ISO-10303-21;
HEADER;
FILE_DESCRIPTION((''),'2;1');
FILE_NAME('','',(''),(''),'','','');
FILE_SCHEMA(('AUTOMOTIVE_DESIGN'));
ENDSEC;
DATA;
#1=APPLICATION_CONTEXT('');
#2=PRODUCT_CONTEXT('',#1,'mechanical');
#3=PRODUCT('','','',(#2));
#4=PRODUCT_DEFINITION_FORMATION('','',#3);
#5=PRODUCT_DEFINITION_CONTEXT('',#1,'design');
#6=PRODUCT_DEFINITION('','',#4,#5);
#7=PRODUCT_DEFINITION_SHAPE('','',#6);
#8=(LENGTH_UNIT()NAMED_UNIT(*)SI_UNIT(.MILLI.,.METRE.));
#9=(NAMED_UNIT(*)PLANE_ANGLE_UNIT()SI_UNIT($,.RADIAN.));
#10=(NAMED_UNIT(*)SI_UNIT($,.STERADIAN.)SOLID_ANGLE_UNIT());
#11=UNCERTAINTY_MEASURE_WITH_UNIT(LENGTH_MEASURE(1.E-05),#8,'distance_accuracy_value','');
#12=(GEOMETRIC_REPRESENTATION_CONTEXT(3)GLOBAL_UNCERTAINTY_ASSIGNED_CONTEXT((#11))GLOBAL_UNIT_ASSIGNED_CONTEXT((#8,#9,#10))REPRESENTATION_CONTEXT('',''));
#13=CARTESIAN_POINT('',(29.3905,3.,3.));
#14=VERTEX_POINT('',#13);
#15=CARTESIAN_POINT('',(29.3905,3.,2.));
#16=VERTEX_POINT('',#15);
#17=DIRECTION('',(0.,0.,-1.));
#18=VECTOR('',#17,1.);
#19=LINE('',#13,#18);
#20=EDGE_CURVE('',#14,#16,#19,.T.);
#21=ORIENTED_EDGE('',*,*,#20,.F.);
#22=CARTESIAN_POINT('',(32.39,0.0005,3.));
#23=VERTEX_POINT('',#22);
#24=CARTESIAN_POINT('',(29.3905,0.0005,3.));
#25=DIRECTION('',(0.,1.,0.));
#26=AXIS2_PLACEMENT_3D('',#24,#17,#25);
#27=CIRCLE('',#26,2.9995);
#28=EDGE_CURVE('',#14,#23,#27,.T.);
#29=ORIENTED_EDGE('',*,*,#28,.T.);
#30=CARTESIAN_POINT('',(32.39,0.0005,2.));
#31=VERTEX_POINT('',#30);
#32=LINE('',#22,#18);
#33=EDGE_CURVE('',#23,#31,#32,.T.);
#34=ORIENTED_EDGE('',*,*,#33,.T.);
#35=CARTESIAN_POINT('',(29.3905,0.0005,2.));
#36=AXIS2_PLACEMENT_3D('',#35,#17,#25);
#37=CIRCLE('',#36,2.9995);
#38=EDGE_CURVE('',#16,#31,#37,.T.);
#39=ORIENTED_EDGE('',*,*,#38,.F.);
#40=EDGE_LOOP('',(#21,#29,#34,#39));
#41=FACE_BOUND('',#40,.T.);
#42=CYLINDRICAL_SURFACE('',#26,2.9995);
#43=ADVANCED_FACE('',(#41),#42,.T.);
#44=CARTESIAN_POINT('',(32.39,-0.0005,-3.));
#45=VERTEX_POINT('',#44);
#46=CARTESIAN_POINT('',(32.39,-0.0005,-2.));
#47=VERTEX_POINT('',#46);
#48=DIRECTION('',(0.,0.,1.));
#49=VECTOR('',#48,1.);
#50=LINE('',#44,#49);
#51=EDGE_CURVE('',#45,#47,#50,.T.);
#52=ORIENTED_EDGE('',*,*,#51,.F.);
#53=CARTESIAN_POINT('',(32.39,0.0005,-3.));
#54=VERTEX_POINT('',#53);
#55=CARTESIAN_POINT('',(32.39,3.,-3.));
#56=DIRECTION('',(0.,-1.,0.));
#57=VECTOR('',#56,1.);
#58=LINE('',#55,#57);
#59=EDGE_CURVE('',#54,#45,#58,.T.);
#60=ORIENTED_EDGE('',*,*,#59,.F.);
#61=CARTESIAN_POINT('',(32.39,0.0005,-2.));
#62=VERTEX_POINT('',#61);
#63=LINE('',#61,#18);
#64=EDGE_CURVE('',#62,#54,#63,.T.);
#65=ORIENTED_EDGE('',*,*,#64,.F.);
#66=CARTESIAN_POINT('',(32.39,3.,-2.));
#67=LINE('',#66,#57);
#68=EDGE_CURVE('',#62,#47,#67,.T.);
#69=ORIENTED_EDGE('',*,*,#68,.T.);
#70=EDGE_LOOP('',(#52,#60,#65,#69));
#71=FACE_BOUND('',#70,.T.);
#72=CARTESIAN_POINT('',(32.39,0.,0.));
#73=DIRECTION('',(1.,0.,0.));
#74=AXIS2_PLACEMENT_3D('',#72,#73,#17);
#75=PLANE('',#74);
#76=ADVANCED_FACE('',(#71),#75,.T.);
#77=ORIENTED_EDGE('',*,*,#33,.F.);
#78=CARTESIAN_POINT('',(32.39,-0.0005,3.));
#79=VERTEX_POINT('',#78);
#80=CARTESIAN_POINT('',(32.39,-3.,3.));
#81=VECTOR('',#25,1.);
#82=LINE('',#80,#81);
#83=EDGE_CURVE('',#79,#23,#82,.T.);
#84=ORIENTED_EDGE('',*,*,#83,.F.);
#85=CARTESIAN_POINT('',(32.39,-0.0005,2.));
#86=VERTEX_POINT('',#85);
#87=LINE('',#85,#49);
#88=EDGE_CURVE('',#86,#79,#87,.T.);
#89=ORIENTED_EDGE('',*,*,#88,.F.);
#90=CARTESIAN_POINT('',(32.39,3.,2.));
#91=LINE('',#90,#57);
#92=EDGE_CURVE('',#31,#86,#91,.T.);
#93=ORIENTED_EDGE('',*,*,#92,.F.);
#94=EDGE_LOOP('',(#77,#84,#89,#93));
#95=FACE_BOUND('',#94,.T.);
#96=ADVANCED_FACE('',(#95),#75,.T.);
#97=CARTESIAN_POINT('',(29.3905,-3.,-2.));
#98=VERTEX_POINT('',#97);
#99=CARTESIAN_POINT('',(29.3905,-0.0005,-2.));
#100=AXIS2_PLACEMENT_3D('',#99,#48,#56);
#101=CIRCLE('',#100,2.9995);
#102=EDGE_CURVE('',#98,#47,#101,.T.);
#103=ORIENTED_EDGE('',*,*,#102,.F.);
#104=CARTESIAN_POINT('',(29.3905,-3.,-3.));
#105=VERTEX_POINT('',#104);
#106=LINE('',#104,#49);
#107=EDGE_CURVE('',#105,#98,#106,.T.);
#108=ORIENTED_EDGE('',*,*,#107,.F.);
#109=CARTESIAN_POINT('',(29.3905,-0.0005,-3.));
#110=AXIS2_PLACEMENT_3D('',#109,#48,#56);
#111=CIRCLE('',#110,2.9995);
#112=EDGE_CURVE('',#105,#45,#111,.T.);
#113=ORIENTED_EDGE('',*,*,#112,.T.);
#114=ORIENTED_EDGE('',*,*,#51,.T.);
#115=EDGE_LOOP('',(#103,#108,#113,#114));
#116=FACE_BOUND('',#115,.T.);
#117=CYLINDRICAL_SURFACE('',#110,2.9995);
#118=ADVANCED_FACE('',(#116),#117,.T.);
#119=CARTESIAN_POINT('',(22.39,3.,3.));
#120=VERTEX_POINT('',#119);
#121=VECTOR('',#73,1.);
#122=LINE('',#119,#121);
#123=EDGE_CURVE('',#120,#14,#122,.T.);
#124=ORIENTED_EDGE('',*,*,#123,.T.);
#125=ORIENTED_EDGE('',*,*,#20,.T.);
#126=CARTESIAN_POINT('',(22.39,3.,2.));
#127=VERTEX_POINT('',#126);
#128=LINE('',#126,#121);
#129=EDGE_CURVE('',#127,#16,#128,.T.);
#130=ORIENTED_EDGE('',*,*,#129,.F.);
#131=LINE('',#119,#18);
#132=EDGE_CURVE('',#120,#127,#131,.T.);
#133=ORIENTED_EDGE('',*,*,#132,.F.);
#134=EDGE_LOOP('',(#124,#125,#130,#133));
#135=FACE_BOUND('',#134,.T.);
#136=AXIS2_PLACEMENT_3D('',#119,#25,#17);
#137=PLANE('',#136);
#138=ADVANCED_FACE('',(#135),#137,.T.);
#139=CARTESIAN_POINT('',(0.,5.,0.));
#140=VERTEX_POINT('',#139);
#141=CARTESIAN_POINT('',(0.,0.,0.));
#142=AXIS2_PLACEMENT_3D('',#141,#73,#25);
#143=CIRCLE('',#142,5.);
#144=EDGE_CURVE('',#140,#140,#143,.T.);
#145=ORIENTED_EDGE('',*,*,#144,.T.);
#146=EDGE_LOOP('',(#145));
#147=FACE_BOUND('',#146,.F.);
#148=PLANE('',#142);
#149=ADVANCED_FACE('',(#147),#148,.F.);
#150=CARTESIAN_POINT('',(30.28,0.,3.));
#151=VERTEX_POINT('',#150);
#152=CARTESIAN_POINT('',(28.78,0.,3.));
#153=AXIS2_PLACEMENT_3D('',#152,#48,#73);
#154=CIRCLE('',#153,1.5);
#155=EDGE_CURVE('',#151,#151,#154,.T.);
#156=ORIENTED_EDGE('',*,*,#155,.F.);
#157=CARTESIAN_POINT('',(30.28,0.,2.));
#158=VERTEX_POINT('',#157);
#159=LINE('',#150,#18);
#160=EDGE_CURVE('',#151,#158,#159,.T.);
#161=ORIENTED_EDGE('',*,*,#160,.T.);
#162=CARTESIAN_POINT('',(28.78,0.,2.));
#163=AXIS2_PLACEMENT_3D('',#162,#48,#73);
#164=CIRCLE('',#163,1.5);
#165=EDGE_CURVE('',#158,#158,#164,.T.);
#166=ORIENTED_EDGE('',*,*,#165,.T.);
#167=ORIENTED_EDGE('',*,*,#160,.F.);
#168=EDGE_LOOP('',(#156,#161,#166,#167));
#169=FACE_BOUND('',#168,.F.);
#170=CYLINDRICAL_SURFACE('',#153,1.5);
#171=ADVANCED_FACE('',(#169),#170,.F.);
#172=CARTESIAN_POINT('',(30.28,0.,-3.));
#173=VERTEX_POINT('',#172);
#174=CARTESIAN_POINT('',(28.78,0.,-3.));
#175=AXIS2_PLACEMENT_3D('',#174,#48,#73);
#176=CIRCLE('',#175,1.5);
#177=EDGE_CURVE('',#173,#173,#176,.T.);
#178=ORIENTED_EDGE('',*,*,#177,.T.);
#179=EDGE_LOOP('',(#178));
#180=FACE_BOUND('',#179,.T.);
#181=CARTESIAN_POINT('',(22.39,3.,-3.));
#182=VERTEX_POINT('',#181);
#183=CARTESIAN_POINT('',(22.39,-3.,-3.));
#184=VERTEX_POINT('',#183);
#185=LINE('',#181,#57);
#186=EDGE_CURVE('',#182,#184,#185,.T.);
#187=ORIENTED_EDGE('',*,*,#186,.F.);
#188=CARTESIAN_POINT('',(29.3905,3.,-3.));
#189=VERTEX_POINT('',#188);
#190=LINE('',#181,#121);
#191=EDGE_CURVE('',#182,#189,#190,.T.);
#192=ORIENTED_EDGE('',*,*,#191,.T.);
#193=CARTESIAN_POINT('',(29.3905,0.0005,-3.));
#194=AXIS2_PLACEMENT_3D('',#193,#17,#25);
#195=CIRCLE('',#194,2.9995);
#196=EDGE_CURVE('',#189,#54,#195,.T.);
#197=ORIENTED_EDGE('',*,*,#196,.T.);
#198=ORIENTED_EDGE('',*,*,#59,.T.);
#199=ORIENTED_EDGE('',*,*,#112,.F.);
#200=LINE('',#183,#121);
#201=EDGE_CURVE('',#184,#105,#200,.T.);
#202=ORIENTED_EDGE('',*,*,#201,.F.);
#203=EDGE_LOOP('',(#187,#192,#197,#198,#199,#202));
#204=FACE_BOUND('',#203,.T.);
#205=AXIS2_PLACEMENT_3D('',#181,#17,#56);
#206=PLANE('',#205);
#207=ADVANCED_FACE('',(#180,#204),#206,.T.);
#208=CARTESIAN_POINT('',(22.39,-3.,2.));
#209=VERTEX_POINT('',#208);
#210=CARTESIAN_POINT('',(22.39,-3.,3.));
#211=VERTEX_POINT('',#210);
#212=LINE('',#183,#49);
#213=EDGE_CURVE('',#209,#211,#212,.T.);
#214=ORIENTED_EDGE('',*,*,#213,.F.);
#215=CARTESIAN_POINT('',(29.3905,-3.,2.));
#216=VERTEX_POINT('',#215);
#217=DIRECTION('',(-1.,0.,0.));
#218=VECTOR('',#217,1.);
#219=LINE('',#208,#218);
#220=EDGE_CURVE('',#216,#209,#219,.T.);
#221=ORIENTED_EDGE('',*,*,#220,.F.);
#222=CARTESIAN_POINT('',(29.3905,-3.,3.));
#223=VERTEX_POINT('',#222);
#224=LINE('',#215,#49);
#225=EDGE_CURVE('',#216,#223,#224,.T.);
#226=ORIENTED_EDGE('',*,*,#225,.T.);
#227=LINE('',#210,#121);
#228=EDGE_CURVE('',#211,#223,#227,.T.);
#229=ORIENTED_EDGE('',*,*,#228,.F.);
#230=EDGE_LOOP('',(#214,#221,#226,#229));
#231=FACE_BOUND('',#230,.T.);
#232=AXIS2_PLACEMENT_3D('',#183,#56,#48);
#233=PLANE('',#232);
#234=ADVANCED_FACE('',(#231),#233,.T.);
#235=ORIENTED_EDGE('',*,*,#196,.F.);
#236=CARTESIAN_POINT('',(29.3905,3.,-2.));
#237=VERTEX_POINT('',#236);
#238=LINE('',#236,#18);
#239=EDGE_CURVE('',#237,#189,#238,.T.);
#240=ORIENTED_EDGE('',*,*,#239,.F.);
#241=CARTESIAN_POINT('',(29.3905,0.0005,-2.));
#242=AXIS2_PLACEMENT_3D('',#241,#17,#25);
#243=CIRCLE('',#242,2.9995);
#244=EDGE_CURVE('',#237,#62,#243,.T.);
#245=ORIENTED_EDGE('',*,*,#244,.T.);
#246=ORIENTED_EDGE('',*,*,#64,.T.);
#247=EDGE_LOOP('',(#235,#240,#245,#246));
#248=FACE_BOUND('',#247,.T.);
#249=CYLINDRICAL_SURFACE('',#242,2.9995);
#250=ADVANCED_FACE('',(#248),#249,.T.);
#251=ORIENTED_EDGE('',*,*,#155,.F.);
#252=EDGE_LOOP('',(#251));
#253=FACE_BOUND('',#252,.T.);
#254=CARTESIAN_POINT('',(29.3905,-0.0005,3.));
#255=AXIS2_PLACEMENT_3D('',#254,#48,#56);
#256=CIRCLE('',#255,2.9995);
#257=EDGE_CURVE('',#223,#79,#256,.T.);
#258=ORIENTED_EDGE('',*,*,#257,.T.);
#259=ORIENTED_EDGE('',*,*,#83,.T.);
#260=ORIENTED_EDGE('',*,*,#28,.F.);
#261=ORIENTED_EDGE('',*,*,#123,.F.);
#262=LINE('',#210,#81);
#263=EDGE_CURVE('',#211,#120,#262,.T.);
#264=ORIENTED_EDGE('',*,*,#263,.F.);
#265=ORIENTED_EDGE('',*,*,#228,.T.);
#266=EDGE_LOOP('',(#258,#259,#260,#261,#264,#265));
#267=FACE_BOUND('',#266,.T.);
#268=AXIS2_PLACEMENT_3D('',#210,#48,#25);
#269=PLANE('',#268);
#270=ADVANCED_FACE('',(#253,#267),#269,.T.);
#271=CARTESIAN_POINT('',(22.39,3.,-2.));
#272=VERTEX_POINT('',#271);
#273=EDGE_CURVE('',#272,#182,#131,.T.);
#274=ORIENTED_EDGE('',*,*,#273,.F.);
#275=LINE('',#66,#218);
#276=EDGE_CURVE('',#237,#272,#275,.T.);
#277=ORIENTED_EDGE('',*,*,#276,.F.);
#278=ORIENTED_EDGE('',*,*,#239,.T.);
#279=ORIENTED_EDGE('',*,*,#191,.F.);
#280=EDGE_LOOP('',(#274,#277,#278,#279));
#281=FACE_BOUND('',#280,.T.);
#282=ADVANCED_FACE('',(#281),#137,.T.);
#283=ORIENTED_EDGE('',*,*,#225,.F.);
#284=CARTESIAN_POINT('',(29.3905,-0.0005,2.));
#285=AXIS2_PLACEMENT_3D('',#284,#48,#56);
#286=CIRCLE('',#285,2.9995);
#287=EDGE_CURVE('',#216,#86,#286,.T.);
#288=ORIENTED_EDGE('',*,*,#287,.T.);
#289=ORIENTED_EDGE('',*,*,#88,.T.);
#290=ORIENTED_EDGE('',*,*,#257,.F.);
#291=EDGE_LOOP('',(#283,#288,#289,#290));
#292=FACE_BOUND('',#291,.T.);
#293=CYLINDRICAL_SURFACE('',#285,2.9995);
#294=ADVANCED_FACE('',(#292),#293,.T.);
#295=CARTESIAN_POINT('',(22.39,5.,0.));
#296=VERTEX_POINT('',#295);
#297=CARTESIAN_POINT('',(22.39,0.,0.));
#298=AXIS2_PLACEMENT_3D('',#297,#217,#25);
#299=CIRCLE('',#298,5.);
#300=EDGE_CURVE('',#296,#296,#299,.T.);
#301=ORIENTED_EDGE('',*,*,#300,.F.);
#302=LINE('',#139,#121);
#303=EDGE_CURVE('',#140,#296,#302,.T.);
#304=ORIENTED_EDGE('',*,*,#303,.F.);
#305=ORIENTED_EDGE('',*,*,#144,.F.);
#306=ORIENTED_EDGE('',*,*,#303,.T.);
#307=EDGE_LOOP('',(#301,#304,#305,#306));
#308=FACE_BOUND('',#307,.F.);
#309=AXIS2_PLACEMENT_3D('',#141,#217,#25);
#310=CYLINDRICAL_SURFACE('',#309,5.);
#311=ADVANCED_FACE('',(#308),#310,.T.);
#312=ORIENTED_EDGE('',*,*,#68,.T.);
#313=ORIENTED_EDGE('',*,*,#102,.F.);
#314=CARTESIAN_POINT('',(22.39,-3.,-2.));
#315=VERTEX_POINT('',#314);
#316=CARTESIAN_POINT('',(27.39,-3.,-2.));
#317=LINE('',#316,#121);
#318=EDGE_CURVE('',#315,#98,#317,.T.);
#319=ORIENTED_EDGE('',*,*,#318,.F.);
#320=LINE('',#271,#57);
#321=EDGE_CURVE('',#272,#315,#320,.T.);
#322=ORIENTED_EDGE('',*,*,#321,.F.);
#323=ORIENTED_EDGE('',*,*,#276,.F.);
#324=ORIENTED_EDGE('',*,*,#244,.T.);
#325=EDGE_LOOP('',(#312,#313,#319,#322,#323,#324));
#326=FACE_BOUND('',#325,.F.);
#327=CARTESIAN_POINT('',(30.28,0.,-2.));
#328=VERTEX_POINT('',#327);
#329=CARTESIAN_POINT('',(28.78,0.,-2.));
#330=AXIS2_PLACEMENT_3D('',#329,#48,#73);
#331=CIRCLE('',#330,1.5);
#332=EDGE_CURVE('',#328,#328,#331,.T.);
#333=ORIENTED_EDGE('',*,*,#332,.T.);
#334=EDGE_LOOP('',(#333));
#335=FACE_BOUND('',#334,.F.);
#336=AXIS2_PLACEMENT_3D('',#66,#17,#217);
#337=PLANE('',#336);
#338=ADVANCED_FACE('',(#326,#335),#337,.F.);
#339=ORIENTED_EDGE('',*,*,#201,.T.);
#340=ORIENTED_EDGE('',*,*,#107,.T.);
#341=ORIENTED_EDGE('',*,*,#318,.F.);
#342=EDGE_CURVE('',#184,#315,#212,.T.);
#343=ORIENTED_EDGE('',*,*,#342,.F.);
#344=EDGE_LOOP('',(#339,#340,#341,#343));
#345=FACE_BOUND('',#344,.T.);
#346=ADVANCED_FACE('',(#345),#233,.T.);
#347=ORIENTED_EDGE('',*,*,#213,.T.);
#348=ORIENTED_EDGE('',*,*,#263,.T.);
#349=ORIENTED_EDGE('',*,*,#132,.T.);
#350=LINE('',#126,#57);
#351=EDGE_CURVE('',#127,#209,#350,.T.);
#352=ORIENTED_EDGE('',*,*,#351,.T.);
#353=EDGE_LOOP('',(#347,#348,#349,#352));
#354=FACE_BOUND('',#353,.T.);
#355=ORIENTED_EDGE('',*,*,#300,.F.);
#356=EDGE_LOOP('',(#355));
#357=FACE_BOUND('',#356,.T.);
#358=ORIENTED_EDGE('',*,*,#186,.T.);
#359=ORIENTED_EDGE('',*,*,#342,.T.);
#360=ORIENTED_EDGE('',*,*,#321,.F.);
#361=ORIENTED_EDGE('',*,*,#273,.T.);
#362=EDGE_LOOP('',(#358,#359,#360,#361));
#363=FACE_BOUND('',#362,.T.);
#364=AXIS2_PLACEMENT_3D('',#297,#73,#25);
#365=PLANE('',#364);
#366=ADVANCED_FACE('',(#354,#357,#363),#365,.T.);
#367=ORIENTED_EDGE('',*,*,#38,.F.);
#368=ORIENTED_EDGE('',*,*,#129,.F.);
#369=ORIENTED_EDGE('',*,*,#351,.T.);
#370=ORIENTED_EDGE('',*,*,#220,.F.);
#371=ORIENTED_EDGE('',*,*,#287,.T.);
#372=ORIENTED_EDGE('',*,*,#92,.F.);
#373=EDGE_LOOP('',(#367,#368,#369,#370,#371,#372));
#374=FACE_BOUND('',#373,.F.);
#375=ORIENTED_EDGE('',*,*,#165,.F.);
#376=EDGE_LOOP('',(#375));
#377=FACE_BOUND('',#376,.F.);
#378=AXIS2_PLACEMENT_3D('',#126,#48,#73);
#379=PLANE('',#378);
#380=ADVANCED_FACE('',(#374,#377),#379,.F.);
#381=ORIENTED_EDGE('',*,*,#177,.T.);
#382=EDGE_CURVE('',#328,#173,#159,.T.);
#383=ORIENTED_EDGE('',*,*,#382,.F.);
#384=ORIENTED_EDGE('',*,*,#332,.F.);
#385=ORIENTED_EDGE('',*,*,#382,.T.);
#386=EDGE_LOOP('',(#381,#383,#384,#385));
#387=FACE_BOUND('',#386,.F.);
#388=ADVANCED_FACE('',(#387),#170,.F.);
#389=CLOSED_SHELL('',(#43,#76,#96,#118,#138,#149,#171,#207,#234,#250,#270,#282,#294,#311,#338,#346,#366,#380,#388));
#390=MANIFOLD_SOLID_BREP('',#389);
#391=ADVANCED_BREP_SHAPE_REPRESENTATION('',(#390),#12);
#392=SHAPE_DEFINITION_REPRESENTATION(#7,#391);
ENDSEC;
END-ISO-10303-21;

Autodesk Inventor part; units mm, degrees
ref_plane "YZ Plane" through (0, 0, 0) normal (1, 0, 0) x (0, 1, 0)
ref_plane "XZ Plane" through (0, 0, 0) normal (0, 1, 0) x (-1, 0, 0)
ref_plane "XY Plane" through (0, 0, 0) normal (0, 0, 1) x (1, 0, 0)
sketch "Schizzo1" plane through (0, 0, 0) normal (1, 0, 0) x (0, 1, 0)
  circle A0 centre (0, 0) radius 5
  dimension "d0" = 10
extrude "Estrusione1" add sketch "Schizzo1" along normal blind 22.39
sketch "Schizzo2" plane through (22.39, 0, 0) normal (1, 0, 0) x (0, 0, -1)
  line L0 (-3, 3) -> (3, 3)
  line L1 (3, 3) -> (3, -3)
  line L2 (3, -3) -> (-3, -3)
  line L3 (-3, -3) -> (-3, 3)
  line L4 (-3, 3) -> (3, -3) construction
  line L5 (3, 3) -> (-3, -3) construction
  point P0 (0, 0)
  point P1 (0, 0)
  point P2 (0, 0)
  dimension "d3" = 6
  dimension "d4" = 6
extrude "Estrusione2" add sketch "Schizzo2" along normal blind 10
sketch "Schizzo5" plane through (22.39, 3, 3) normal (0, 1, 0) x (1, 0, 0)
  line L0 (0, -2) -> (0, 8) projected
  line L1 (10, 5) -> (0, 5)
  line L2 (0, 5) -> (0, 1)
  line L3 (0, 1) -> (10, 1)
  line L4 (10, 1) -> (10, 5)
  line L5 (10, 6) -> (10, 0) projected
  point P0 (-22.39, 3)
  point P1 (10, 3)
  point P2 (0, 5)
  dimension "d19" = 4
extrude "Estrusione5" cut sketch "Schizzo5" against normal blind 15
sketch "Schizzo6" plane through (22.39, -3, 3) normal (0, 0, 1) x (1, 0, 0)
  circle A0 centre (6.39, 3) radius 1.5
  line L0 (0, 0) -> (10, 0) projected
  line L1 (10, 6) -> (10, 0) projected
  line L2 (0, -2) -> (0, 8) projected
  point P0 (-22.39, 3)
  dimension "d22" = 3
  dimension "d24" = 3
  dimension "d28" = 6.39
extrude "Estrusione6" cut sketch "Schizzo6" against normal blind 15
fillet "Raccordo2" radius 3 4 edges at (32.39, 3, 2.5) (32.39, 3, -2.5) (32.39, -3, -2.5) (32.39, -3, 2.5)
properties part number "pistone" material "Titanio"
